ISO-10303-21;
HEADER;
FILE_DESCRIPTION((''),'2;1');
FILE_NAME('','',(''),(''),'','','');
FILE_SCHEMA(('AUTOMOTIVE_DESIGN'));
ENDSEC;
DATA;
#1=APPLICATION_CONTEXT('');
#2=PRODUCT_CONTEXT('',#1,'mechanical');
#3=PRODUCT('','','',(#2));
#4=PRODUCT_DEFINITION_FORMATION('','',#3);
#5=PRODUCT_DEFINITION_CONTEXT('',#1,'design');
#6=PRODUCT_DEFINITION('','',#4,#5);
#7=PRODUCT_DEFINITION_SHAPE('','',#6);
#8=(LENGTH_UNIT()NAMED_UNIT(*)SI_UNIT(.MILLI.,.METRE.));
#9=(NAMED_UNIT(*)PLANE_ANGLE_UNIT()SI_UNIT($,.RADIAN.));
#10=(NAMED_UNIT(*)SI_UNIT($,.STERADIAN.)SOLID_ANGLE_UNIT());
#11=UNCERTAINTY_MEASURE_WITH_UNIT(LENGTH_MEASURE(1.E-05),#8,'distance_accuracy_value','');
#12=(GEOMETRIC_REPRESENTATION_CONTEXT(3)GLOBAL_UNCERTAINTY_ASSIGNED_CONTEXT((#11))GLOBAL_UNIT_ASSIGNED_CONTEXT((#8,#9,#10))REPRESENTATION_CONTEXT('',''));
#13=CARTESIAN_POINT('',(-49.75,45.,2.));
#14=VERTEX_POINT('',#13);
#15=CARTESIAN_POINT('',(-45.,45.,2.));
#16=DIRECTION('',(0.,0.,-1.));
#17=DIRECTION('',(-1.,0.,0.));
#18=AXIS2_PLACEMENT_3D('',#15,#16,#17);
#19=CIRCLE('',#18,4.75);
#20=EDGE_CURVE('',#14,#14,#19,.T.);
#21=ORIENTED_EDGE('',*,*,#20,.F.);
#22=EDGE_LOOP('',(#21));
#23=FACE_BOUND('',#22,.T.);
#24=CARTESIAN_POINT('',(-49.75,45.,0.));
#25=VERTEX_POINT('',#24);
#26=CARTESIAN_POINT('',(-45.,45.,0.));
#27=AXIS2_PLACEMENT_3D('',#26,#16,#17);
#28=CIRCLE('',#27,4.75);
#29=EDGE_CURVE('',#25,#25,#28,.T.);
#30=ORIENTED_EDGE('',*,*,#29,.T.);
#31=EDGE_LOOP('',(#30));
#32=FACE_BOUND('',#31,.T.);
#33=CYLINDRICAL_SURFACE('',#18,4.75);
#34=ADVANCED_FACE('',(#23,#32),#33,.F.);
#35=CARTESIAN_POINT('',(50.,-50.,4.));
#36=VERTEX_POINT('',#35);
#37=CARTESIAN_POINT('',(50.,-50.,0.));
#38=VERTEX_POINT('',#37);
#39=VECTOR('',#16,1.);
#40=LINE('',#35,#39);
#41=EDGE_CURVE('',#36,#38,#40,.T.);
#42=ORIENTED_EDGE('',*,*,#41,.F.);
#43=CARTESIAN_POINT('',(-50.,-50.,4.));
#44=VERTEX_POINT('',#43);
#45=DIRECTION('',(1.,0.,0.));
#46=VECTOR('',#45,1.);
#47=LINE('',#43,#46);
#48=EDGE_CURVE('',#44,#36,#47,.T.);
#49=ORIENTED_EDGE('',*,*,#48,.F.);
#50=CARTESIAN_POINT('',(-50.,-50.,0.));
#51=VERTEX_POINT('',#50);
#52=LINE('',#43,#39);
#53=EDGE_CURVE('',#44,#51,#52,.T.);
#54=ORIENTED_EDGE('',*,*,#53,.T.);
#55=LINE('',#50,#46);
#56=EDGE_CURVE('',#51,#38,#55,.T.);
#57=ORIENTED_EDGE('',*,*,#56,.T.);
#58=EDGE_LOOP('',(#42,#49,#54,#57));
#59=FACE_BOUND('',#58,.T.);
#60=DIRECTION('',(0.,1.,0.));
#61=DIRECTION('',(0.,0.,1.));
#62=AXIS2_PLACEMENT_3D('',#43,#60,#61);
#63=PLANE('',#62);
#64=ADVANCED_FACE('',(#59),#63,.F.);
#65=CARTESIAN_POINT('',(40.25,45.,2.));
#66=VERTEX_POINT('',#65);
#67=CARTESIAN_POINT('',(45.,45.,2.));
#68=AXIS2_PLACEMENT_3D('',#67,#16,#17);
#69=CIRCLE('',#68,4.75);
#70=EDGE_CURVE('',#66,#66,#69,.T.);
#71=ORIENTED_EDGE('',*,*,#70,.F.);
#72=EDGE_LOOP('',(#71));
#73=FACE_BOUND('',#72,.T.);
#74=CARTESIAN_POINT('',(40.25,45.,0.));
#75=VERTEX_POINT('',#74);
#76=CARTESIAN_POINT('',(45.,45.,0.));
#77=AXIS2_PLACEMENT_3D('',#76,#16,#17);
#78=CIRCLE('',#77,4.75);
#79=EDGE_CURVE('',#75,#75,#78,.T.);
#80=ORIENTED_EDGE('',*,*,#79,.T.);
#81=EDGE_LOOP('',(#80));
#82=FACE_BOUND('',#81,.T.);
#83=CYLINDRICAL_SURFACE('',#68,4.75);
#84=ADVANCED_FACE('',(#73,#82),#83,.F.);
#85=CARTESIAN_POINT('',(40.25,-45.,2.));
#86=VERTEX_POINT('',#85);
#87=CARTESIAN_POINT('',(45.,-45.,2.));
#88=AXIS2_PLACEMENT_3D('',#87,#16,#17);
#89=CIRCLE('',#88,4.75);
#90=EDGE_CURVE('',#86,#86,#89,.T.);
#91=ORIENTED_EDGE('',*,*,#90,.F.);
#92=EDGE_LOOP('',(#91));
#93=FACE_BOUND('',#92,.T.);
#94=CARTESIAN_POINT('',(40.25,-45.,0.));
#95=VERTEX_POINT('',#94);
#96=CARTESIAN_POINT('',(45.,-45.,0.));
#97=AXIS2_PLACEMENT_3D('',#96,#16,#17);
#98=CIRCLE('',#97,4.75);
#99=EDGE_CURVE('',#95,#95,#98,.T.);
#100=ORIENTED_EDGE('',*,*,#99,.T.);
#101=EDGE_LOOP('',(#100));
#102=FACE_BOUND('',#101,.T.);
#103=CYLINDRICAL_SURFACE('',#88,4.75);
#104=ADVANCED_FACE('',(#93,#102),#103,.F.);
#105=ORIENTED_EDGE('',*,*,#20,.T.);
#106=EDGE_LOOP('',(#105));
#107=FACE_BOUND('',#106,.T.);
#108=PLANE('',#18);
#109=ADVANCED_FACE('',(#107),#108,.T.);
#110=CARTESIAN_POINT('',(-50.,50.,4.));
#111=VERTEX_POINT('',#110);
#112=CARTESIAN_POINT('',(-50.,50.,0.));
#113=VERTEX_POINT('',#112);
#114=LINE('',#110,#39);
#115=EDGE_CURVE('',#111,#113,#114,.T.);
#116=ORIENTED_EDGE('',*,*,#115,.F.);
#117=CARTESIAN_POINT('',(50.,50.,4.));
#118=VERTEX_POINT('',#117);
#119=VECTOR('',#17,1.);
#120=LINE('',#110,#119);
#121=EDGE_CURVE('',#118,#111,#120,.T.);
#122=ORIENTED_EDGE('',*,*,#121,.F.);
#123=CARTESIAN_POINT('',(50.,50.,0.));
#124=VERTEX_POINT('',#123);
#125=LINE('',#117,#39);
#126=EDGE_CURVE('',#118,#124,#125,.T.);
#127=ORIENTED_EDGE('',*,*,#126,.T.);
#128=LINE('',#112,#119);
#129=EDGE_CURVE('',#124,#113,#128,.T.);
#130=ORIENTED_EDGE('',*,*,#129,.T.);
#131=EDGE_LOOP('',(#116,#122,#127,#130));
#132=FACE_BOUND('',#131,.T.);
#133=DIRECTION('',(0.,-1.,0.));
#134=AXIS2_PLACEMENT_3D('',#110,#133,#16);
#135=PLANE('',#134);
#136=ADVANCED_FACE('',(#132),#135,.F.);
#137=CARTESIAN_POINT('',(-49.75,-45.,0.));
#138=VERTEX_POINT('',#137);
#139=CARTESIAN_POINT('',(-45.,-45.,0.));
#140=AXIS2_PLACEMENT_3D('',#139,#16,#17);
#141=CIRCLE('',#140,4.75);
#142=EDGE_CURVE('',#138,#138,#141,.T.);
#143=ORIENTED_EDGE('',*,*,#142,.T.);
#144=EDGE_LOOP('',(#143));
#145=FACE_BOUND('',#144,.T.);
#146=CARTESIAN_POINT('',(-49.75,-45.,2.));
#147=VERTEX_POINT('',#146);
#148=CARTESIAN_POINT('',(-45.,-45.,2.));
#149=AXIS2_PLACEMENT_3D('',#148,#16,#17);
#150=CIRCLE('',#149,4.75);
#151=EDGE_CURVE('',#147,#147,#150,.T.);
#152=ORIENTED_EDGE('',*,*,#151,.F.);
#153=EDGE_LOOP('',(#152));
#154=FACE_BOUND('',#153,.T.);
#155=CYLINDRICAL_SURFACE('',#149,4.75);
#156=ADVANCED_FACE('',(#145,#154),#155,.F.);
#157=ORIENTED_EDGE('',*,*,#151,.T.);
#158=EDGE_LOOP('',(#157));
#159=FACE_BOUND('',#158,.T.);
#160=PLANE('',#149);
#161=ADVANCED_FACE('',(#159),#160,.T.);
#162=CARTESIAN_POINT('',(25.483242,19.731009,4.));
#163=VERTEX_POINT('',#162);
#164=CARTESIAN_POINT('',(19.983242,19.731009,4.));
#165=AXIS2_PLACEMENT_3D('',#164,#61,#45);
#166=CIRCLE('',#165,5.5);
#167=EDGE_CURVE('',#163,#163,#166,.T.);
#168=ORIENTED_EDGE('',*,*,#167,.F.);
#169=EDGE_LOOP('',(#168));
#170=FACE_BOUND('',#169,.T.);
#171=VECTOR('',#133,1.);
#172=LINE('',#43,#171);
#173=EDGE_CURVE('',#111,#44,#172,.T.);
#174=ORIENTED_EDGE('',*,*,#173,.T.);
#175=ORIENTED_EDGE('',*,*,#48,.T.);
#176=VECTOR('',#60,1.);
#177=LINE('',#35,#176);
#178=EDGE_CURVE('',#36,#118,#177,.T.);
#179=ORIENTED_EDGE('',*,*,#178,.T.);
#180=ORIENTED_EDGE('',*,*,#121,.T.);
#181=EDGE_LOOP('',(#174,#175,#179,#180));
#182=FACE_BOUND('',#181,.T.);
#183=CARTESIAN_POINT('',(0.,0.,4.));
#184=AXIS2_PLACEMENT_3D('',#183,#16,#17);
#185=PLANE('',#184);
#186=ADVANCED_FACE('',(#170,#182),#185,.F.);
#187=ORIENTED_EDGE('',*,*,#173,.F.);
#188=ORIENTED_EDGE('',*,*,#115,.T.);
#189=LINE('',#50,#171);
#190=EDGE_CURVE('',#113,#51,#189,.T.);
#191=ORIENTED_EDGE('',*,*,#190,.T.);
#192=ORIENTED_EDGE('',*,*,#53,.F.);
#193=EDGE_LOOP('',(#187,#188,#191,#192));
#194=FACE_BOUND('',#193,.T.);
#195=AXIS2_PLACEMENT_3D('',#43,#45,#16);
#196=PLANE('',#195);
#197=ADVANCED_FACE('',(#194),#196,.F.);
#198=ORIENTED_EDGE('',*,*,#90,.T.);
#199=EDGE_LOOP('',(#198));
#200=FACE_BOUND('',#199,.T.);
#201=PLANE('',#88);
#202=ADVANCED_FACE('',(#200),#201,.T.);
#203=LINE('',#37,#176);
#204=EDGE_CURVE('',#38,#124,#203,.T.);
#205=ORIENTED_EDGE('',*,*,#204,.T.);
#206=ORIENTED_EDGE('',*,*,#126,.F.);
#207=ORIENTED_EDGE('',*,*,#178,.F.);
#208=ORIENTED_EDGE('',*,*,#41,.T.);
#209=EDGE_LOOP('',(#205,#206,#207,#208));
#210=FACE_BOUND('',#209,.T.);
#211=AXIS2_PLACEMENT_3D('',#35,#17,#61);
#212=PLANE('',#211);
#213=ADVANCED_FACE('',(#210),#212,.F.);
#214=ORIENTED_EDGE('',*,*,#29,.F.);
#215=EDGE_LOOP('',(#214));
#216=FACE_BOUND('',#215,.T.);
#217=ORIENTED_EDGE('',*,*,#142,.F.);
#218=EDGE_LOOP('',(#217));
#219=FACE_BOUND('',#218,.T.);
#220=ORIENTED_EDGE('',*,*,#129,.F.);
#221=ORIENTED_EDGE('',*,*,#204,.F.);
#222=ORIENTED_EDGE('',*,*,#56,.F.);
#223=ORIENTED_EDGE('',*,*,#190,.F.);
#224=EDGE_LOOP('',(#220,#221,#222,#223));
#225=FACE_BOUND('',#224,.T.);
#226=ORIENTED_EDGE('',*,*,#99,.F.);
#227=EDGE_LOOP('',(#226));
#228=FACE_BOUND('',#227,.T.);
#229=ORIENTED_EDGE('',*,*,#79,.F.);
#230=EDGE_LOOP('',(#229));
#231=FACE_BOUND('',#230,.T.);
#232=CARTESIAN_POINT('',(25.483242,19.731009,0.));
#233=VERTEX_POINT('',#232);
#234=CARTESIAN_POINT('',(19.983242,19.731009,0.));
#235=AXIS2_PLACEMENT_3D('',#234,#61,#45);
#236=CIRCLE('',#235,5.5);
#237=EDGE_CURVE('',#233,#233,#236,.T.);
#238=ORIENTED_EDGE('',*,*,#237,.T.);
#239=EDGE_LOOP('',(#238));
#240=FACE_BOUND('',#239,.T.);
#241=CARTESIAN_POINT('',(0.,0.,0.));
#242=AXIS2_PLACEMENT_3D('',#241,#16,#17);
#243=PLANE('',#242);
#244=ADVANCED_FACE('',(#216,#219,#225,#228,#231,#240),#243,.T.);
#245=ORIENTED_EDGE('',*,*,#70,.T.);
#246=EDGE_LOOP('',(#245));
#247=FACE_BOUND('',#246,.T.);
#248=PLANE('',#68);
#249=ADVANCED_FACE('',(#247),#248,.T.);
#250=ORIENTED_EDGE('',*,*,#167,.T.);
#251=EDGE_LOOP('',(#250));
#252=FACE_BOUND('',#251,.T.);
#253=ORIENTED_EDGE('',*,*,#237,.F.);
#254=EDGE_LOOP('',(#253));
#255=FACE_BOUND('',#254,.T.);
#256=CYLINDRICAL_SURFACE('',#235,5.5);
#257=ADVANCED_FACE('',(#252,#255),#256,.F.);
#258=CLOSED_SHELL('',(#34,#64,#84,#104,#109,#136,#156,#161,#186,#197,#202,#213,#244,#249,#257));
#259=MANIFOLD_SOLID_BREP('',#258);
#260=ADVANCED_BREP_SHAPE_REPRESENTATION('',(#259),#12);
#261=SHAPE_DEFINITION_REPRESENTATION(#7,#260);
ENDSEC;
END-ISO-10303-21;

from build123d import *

# Parameters (mm, degrees)
SKETCH1_W           = 100
SKETCH1_H           = 100
BOSS_EXTRUDE1_DEPTH = 4
SKETCH2_R           = 4.75
CUT_EXTRUDE1_DEPTH  = 2
SKETCH3_R           = 5.5
CUT_EXTRUDE2_DEPTH  = 5


with BuildPart() as part:
    # Sketch1 → Boss-Extrude1 (new body)
    with BuildSketch(Plane.XY):
        Rectangle(SKETCH1_W, SKETCH1_H)
    extrude(amount=BOSS_EXTRUDE1_DEPTH)

    # Sketch2 → Cut-Extrude1 (cut)
    with BuildSketch(Plane(origin=(0, 0, 0), x_dir=(-1, 0, 0), z_dir=(0, 0, -1))):
        with Locations((45, 45)):
            Circle(SKETCH2_R)
        with Locations((45, -45)):
            Circle(SKETCH2_R)
        with Locations((-45, -45)):
            Circle(SKETCH2_R)
        with Locations((-45, 45)):
            Circle(SKETCH2_R)
    extrude(amount=-CUT_EXTRUDE1_DEPTH, mode=Mode.SUBTRACT)

    # Sketch3 → Cut-Extrude2 (cut, through all)
    with BuildSketch(Plane(origin=(-38.404344239, -79.614153906, 4), x_dir=(1, 0, 0), z_dir=(0, 0, 1))):
        with Locations((58.387586461, 99.345162416)):
            Circle(SKETCH3_R)
    extrude(amount=-CUT_EXTRUDE2_DEPTH, mode=Mode.SUBTRACT)


solid = part.part
